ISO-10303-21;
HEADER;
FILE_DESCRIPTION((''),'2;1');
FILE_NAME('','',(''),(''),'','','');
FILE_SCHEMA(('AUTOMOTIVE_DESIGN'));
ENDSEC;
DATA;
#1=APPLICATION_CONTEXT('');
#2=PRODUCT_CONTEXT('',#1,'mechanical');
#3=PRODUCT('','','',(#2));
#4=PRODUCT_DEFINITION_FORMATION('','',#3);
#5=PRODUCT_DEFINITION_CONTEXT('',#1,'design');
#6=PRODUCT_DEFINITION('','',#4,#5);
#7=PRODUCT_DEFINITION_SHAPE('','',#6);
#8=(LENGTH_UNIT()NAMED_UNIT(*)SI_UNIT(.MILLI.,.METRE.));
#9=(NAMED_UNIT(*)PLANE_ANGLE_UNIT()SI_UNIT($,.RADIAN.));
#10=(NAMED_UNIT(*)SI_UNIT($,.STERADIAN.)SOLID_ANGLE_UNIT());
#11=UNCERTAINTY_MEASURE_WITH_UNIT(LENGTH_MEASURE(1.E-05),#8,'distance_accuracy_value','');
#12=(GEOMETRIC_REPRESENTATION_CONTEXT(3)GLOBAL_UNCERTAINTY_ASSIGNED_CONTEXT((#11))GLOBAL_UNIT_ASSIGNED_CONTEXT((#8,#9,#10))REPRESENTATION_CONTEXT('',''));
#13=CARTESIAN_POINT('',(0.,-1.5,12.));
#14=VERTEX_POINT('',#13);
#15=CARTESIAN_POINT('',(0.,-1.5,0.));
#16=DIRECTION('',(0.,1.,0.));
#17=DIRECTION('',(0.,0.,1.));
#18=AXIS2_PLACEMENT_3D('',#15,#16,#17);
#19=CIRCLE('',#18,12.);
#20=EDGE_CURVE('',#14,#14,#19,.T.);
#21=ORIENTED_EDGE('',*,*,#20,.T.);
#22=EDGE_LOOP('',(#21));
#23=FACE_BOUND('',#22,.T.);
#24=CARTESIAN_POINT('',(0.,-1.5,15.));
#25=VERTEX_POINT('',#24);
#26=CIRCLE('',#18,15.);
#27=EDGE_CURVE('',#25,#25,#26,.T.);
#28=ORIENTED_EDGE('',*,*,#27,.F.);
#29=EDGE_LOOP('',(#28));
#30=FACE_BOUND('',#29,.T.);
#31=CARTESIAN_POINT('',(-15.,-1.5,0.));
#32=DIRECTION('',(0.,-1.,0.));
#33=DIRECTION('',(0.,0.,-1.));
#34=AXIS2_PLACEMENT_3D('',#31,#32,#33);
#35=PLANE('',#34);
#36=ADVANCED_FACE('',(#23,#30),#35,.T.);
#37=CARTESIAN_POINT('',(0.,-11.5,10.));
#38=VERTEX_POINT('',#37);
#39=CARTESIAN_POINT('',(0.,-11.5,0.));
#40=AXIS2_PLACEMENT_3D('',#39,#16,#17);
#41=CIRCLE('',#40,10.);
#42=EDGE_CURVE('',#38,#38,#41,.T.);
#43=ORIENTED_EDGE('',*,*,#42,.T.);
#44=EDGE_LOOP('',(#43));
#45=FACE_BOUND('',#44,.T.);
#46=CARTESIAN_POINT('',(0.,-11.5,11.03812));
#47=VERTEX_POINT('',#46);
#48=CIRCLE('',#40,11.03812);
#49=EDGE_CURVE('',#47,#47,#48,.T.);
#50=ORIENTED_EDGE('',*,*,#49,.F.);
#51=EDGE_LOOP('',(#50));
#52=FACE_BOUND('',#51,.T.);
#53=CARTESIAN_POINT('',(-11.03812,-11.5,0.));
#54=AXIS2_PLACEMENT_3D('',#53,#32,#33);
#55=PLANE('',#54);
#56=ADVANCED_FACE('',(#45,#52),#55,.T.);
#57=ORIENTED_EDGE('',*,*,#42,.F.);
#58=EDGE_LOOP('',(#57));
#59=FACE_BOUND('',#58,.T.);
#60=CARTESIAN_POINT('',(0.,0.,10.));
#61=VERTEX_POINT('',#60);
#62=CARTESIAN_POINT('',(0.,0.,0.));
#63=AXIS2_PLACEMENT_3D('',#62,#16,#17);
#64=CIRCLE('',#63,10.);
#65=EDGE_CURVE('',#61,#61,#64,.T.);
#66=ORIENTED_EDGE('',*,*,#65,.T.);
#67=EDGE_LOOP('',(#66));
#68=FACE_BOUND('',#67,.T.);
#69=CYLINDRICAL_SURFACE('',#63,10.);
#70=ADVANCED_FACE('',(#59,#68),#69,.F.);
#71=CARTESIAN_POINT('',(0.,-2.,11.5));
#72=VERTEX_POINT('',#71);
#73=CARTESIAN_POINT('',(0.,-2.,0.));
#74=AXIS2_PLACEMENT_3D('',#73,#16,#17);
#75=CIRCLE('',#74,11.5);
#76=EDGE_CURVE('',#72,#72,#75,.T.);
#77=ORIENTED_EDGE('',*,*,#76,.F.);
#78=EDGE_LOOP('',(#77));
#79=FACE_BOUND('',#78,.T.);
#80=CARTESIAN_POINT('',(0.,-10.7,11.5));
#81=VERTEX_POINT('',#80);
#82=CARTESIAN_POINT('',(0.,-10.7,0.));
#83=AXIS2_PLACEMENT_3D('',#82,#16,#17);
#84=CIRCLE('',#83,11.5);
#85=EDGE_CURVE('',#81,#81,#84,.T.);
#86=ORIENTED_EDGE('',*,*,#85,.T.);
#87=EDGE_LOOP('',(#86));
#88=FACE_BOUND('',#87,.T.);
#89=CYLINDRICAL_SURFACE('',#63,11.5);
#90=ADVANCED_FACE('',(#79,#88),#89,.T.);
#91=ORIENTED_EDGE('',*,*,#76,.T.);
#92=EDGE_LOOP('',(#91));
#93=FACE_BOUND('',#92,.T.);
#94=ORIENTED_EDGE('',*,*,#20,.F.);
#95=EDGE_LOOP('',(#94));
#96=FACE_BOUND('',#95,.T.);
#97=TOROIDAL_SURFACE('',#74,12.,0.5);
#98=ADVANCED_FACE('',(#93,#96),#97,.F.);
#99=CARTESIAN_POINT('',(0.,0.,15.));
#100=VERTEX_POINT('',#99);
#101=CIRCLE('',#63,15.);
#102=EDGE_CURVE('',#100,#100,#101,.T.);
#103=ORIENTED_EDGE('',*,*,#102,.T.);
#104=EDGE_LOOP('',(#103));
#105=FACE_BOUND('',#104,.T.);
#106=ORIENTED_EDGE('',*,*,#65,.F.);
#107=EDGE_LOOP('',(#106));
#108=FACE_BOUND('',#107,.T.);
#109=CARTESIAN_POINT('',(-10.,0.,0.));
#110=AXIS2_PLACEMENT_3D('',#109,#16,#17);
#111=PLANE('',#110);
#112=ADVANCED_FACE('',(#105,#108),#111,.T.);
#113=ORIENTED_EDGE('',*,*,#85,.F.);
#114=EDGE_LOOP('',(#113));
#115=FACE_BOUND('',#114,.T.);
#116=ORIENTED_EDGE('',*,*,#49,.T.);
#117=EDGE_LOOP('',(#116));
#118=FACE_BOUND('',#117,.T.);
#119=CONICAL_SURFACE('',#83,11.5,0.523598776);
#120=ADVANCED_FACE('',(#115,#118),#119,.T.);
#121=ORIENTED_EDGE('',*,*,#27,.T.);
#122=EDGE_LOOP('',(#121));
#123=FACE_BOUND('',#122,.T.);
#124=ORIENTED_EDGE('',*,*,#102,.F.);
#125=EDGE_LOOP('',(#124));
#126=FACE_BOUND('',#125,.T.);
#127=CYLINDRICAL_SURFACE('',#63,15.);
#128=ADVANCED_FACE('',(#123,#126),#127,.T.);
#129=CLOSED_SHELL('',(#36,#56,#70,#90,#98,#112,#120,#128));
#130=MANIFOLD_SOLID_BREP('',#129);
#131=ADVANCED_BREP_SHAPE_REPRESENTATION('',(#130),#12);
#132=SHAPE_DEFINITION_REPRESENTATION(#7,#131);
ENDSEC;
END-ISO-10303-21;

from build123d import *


with BuildPart() as part:
    # Sketch1 → Revolve1 (revolve)
    with BuildSketch(Plane.XY, mode=Mode.PRIVATE) as revolve1_sk:
        with BuildLine():
            Line((-15, 0), (-15, -1.5))
            Line((-15, -1.5), (-12, -1.5))
            ThreePointArc((-12, -1.5), (-11.646446609, -1.646446609), (-11.5, -2))
            Line((-11.5, -2), (-11.5, -10.7))
            Line((-11.5, -10.7), (-11.038119785, -11.5))
            Line((-11.038119785, -11.5), (-10, -11.5))
            Line((-10, -11.5), (-10, 0))
            Line((-10, 0), (-15, 0))
        make_face()
    revolve(revolve1_sk.sketch.rotate(Axis((0, 0, 0), (0, -1, 0)), 270), axis=Axis((0, 0, 0), (0, -1, 0)))


solid = part.part
